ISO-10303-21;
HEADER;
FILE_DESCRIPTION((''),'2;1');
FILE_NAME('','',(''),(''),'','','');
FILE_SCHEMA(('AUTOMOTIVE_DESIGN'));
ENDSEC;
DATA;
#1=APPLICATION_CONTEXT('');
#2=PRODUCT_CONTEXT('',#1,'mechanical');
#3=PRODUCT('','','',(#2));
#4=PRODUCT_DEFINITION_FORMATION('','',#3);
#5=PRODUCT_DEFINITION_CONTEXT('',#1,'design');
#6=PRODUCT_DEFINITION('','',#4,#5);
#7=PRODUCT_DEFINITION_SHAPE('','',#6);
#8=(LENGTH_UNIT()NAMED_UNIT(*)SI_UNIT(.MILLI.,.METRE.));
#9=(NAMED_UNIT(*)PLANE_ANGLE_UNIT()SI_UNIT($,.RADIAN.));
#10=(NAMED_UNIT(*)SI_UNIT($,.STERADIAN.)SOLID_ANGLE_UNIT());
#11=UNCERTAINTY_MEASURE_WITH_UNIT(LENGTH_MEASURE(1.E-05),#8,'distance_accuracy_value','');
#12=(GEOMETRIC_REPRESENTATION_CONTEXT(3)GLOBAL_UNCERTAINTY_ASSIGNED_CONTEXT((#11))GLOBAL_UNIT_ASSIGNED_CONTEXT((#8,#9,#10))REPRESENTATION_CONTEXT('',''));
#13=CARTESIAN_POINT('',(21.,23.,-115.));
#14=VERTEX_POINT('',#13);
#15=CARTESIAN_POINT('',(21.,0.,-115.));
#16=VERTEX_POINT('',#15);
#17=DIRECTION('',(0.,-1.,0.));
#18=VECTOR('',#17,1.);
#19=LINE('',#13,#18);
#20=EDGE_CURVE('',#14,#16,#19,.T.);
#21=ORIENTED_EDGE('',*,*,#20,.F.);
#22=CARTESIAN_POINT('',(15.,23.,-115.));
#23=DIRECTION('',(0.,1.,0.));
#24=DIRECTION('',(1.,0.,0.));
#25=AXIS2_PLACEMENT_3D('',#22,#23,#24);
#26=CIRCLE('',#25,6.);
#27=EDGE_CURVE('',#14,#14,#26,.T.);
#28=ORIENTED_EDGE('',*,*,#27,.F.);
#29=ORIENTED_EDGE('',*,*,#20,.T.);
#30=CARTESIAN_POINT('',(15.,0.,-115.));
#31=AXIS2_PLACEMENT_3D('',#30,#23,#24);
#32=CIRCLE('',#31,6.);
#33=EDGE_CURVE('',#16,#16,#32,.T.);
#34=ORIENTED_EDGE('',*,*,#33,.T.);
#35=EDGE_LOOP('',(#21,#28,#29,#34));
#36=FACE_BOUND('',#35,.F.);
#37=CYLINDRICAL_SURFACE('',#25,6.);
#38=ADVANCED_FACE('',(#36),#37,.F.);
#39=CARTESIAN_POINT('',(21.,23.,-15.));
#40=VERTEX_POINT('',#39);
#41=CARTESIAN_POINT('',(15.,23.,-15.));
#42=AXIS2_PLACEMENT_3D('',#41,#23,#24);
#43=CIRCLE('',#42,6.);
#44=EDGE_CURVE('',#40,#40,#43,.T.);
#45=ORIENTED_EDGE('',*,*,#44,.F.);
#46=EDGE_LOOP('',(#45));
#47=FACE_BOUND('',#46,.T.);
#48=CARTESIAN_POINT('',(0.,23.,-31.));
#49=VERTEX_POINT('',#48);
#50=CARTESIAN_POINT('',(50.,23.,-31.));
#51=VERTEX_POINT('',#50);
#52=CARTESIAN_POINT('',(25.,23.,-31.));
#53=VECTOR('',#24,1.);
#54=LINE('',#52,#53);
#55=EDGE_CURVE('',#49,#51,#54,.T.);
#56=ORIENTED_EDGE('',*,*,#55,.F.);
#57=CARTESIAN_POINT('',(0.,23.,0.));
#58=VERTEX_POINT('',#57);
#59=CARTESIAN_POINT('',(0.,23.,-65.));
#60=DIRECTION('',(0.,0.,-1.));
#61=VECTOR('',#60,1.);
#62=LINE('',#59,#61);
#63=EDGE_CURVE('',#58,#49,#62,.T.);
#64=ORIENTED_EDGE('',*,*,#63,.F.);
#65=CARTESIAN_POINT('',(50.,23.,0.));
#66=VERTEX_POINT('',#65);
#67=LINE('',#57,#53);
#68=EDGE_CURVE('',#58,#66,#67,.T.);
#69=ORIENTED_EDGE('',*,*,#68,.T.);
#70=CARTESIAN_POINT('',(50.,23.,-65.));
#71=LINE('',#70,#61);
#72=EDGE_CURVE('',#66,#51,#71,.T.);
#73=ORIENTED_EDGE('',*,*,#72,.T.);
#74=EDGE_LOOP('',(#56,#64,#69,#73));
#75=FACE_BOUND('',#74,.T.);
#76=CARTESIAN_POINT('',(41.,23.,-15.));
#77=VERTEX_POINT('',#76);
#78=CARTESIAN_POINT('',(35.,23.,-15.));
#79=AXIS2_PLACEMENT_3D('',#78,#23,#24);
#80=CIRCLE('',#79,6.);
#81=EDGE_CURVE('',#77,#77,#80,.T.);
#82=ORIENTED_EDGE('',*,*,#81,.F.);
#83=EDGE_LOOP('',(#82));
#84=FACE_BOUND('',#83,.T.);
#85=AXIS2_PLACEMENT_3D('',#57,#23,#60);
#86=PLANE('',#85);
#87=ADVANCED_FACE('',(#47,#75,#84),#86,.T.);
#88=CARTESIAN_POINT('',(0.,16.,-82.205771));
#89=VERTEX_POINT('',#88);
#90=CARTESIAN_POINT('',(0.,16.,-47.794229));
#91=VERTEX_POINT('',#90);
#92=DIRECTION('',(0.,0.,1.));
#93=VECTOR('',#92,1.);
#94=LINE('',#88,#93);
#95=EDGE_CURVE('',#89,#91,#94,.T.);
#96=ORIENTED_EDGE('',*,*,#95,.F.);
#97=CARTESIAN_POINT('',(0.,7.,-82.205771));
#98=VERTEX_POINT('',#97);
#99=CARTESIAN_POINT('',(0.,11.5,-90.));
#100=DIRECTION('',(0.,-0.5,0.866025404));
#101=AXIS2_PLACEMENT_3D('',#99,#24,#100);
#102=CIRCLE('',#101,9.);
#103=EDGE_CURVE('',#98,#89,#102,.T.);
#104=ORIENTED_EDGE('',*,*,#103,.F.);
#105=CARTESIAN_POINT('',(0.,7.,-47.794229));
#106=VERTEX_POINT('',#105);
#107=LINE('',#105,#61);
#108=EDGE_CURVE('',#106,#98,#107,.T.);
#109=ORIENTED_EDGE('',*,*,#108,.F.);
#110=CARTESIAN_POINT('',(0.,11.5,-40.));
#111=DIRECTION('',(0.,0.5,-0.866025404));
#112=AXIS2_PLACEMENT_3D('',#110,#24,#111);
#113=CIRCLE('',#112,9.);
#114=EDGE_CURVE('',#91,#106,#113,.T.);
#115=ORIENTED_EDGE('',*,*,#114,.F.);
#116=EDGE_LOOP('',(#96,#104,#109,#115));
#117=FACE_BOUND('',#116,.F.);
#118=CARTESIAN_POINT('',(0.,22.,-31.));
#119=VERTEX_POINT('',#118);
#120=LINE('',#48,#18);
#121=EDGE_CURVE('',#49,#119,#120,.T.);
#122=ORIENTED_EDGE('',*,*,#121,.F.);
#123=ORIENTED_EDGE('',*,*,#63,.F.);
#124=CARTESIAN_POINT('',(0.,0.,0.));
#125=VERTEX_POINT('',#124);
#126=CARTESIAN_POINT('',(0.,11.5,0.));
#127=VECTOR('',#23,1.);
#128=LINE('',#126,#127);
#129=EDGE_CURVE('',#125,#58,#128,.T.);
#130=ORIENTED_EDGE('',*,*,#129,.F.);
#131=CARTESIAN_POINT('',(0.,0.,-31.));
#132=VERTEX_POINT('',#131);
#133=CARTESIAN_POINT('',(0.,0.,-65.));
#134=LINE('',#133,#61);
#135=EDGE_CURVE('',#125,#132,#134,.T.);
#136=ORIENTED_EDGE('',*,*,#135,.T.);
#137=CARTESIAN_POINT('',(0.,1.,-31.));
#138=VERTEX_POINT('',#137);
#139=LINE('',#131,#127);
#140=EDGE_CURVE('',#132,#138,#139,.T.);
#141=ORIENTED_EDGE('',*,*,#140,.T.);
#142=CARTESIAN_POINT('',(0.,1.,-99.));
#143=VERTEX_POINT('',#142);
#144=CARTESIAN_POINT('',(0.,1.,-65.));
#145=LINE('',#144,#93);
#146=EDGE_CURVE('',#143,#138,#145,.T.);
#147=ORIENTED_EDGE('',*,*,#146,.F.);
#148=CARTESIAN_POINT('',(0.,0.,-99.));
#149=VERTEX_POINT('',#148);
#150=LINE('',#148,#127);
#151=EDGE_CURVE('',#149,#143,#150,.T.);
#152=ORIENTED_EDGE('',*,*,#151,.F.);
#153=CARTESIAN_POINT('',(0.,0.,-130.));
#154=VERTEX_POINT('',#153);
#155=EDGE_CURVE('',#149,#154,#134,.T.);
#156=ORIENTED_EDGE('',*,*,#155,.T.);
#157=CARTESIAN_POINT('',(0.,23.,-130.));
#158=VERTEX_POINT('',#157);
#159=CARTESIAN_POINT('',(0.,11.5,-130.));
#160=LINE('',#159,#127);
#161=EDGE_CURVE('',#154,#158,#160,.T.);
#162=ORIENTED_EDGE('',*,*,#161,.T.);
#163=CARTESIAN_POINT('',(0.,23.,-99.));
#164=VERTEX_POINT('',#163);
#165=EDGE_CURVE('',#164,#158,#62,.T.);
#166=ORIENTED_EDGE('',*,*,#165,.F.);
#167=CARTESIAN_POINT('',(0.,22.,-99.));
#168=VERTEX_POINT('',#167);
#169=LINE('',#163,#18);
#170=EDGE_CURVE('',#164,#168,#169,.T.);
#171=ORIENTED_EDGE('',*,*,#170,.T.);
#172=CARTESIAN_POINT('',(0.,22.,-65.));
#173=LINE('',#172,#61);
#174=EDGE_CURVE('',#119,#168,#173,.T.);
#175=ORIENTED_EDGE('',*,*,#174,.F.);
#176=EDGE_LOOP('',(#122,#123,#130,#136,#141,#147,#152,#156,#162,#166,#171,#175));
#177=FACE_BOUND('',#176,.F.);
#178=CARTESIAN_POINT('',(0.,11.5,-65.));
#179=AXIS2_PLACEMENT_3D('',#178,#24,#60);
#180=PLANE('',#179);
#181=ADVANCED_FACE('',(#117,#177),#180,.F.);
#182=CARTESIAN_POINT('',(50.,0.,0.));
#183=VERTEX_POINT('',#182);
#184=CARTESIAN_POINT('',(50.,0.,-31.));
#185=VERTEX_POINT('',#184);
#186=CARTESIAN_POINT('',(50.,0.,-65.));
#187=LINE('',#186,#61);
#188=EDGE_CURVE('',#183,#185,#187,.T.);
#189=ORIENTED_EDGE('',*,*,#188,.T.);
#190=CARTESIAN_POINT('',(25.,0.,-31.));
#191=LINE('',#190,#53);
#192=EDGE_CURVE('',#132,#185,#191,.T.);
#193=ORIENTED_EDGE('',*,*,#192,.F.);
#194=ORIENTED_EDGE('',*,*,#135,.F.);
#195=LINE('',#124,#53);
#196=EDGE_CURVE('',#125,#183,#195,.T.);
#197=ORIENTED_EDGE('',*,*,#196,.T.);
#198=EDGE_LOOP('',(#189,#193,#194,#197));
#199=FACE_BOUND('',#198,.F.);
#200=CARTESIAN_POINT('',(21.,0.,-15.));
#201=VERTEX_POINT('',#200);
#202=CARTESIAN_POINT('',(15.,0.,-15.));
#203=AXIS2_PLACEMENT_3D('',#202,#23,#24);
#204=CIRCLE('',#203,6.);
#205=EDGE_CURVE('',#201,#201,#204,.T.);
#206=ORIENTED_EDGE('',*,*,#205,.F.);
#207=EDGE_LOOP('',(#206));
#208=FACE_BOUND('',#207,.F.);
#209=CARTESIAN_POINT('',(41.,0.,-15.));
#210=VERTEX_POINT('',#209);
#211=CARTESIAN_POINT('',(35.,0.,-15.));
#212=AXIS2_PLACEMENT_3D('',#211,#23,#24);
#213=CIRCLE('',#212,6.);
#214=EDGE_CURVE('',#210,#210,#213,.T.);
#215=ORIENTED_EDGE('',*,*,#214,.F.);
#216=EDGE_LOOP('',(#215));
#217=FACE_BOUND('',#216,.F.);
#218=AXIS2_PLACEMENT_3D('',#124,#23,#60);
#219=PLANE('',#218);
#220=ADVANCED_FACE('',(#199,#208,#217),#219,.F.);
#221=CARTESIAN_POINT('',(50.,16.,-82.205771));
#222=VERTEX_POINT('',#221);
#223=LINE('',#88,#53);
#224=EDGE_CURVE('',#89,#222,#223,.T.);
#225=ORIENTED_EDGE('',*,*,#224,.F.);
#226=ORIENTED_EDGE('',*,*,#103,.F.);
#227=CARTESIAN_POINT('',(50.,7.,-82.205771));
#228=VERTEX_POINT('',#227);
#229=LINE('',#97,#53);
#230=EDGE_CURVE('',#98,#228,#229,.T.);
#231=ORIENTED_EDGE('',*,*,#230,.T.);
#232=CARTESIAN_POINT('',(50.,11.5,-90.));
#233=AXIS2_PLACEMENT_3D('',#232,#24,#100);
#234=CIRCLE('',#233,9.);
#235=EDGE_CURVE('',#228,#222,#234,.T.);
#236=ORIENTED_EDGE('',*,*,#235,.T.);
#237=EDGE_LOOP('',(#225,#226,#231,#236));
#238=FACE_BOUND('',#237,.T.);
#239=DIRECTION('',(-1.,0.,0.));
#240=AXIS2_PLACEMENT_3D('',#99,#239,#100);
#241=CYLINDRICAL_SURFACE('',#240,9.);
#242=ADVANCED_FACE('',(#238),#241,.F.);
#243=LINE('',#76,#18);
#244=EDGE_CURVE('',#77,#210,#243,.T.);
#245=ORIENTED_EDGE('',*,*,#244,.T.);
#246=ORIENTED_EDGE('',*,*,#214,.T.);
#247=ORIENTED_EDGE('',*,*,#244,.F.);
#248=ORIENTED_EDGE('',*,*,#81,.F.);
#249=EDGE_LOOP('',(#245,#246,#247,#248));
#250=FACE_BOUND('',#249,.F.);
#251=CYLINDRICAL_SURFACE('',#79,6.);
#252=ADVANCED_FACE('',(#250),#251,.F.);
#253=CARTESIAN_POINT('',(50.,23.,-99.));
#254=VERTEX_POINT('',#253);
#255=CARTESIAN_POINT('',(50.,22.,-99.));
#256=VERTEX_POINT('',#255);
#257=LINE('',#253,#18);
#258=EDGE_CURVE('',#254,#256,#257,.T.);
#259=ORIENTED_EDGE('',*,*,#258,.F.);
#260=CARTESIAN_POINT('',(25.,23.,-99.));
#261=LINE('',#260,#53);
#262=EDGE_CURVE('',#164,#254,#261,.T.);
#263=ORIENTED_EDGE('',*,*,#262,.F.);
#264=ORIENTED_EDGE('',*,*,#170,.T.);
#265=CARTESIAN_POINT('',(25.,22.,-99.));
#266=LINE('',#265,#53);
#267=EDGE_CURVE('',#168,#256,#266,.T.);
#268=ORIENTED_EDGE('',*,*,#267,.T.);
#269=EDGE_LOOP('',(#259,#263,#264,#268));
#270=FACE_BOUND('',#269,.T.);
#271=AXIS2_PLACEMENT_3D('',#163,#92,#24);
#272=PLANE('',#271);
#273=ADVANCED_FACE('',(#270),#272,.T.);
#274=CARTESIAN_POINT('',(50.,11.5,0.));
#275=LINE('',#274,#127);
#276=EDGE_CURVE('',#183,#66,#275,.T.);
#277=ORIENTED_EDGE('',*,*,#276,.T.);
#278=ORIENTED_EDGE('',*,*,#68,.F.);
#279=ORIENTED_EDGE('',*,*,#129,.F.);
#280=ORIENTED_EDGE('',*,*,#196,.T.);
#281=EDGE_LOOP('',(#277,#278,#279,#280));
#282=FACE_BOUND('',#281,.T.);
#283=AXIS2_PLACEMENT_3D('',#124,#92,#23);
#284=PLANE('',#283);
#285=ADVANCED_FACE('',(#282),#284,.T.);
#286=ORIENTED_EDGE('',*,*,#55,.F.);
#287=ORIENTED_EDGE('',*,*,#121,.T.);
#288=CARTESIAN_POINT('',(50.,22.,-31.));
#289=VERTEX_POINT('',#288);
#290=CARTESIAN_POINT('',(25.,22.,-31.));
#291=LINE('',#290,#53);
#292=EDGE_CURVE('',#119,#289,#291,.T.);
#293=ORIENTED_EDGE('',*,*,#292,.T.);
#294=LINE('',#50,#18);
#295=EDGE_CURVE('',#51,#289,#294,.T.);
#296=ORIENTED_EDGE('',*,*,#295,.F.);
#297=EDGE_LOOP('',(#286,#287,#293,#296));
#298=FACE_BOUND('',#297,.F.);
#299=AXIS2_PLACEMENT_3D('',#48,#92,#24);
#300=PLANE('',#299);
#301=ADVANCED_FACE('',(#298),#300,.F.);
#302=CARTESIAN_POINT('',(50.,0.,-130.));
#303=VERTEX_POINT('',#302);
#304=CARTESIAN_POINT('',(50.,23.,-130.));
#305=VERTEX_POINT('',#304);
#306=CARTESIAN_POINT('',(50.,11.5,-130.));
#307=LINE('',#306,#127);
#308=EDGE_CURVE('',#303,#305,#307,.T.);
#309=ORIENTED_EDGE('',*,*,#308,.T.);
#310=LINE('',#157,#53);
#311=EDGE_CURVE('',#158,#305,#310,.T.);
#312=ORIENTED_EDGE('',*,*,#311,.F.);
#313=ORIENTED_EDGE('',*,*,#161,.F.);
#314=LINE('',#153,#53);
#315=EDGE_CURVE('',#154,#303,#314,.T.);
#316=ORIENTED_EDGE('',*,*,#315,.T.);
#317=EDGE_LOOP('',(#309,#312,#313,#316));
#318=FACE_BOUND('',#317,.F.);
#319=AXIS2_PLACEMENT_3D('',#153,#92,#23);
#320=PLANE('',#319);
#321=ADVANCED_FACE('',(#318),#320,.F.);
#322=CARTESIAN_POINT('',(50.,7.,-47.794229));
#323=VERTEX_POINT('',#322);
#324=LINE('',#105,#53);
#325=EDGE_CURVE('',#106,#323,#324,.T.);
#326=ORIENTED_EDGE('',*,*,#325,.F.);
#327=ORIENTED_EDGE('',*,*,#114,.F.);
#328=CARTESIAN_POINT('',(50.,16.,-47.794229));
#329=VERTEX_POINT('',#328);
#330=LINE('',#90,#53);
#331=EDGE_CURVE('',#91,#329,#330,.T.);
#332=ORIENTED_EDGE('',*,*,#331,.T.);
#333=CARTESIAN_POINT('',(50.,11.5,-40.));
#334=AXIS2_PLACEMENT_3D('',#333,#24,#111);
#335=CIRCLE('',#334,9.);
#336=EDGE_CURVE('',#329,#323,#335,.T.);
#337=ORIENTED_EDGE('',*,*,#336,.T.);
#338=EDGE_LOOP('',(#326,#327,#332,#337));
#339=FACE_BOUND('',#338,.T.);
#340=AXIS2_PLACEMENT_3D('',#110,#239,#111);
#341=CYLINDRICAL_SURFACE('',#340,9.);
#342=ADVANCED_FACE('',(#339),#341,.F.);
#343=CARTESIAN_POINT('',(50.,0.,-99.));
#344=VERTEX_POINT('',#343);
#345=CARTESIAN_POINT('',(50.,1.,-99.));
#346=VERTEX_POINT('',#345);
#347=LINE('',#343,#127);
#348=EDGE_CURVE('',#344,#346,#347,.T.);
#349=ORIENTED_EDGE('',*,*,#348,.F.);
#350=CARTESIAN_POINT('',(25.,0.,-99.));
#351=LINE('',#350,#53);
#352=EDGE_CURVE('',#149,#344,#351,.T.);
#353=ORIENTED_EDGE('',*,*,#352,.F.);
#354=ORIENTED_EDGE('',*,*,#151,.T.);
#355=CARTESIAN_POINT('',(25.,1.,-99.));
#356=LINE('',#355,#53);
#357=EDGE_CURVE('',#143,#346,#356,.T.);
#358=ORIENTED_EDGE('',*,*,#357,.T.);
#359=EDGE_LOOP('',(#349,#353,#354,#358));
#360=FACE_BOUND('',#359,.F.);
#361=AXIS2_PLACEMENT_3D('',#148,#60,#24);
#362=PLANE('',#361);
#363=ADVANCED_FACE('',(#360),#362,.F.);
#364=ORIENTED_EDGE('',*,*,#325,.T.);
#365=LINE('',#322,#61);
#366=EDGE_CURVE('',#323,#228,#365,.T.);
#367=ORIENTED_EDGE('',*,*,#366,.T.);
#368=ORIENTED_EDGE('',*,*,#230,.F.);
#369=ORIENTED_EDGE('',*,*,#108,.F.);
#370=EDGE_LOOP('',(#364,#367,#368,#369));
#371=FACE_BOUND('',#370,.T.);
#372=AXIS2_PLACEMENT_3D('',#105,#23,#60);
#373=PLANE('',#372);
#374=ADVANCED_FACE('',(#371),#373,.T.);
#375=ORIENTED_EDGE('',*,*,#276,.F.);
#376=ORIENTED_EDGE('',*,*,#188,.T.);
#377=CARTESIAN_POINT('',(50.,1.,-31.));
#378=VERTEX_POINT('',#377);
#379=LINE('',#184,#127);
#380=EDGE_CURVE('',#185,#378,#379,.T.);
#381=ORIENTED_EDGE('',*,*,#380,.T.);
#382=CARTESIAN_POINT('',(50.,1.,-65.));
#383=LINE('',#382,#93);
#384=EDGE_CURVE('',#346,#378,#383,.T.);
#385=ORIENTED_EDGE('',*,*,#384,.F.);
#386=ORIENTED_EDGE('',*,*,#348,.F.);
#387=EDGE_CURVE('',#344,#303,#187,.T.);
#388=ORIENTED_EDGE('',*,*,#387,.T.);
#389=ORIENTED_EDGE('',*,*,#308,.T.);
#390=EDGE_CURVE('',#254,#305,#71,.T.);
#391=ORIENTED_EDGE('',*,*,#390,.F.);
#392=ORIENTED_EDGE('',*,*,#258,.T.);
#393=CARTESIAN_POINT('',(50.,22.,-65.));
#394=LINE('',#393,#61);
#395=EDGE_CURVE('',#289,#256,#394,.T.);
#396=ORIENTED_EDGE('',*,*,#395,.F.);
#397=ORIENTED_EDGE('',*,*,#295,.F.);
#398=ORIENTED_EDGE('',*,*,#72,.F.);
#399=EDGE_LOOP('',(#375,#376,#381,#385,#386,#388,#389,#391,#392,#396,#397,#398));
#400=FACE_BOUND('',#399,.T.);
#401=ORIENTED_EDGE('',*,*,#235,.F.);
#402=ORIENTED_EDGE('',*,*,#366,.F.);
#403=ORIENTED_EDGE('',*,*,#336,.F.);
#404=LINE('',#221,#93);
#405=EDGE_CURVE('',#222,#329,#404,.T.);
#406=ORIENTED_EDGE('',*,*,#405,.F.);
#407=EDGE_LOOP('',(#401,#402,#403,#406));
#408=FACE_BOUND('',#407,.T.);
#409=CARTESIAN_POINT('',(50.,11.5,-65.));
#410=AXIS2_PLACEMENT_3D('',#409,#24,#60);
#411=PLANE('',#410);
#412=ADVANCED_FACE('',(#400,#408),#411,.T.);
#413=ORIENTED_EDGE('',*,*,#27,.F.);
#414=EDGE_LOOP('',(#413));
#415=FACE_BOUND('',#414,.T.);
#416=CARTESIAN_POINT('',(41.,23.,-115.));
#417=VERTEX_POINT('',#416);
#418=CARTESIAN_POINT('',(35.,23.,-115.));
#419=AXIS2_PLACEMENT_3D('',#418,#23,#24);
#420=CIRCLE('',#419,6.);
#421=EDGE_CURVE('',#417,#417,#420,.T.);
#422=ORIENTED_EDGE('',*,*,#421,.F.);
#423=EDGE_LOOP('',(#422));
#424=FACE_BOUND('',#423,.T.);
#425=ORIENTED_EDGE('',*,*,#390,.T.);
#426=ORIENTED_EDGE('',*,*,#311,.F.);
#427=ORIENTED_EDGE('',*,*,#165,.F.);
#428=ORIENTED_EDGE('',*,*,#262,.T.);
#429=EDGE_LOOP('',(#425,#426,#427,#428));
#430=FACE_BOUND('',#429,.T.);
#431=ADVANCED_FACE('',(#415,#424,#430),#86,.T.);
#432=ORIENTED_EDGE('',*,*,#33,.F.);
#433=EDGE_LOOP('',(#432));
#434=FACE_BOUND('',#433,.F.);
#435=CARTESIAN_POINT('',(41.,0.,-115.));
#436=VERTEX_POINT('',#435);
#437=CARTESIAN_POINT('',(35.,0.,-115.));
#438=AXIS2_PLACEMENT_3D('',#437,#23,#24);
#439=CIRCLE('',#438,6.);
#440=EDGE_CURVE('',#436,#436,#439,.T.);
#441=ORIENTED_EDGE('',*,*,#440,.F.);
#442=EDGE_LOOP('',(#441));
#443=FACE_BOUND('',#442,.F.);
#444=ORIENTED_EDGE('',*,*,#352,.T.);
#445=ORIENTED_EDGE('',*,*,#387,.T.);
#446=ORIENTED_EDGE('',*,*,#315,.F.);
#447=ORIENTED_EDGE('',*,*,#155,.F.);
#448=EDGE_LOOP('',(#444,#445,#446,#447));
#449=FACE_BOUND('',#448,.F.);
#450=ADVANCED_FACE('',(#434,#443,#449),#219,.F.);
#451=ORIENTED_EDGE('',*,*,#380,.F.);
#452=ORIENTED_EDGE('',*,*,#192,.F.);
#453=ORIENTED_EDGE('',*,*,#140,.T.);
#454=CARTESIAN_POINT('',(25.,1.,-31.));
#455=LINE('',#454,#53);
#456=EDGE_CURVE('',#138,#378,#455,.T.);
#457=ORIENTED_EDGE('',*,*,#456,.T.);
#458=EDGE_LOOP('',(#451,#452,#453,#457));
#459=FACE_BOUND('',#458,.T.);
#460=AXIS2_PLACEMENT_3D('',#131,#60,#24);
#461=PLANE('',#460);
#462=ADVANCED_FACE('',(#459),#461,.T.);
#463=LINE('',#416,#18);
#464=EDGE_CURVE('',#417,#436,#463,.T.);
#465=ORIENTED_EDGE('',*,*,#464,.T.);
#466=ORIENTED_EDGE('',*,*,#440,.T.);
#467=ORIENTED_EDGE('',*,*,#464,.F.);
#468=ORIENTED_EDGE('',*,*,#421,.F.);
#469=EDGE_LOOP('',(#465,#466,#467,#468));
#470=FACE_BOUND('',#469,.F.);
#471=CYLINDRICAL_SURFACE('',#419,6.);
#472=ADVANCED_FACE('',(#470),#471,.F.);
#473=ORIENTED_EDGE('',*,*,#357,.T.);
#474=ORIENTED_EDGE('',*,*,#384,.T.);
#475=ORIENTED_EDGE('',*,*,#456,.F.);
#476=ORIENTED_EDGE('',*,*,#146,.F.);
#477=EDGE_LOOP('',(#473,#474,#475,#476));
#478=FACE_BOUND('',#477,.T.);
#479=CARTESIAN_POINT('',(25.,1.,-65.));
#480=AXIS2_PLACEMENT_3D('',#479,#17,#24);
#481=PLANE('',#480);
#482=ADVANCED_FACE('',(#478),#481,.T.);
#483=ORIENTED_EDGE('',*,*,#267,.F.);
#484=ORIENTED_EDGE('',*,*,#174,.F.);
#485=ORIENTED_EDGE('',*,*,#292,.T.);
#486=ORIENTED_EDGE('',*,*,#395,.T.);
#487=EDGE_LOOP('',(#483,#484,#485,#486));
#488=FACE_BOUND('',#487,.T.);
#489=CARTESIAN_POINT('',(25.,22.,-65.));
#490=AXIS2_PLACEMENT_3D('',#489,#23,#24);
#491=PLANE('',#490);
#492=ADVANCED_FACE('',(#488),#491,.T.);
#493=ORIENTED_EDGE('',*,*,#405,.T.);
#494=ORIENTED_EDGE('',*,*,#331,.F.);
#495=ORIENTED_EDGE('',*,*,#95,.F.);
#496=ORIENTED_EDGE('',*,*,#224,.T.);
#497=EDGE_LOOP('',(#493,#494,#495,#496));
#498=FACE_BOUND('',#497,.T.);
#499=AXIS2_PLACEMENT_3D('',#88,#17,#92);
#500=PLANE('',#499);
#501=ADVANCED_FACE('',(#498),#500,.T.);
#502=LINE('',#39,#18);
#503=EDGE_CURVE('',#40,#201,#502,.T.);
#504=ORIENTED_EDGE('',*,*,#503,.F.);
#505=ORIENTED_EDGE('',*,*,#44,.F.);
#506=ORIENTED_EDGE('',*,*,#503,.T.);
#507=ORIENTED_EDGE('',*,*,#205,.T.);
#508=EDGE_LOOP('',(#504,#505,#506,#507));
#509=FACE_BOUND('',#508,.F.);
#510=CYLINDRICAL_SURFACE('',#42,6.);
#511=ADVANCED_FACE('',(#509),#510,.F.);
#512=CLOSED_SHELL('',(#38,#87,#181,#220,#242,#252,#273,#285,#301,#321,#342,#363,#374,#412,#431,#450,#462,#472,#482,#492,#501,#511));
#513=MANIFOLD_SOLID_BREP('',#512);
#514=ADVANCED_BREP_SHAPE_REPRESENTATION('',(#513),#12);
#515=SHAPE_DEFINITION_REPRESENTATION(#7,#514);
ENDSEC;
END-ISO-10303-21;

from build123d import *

# Parameters (mm, degrees)
SKETCH2_W           = 130
SKETCH2_H           = 23
BOSS_EXTRUDE1_DEPTH = 50
SKETCH3_R           = 6
CUT_EXTRUDE1_DEPTH  = 23
SKETCH4_W           = 50
SKETCH4_H           = 68
CUT_EXTRUDE3_DEPTH  = 1
SKETCH5_W           = 50
SKETCH5_H           = 68
CUT_EXTRUDE4_DEPTH  = 1


with BuildPart() as part:
    # Sketch2 → Boss-Extrude1 (new body)
    with BuildSketch(Plane(origin=(0, 0, 0), x_dir=(0, 0, -1), z_dir=(1, 0, 0))):
        with Locations((65, 11.5)):
            Rectangle(SKETCH2_W, SKETCH2_H)
        with BuildLine():
            Line((82.205771366, 16), (47.794228634, 16))
            ThreePointArc((47.794228634, 16), (31, 11.5), (47.794228634, 7))
            Line((47.794228634, 7), (82.205771366, 7))
            ThreePointArc((82.205771366, 7), (99, 11.5), (82.205771366, 16))
        make_face(mode=Mode.SUBTRACT)
    extrude(amount=BOSS_EXTRUDE1_DEPTH)

    # Sketch3 → Cut-Extrude1 (cut)
    with BuildSketch(Plane(origin=(0, 23, 0), x_dir=(1, 0, 0), z_dir=(0, 1, 0))):
        with Locations((15, 15)):
            Circle(SKETCH3_R)
        with Locations((35, 15)):
            Circle(SKETCH3_R)
        with Locations((15, 115)):
            Circle(SKETCH3_R)
        with Locations((35, 115)):
            Circle(SKETCH3_R)
    extrude(amount=-CUT_EXTRUDE1_DEPTH, mode=Mode.SUBTRACT)

    # Sketch4 → Cut-Extrude3 (cut)
    with BuildSketch(Plane(origin=(0, 23, 0), x_dir=(1, 0, 0), z_dir=(0, 1, 0))):
        with Locations((25, 65)):
            Rectangle(SKETCH4_W, SKETCH4_H)
    extrude(amount=-CUT_EXTRUDE3_DEPTH, mode=Mode.SUBTRACT)

    # Sketch5 → Cut-Extrude4 (cut)
    with BuildSketch(Plane.XZ):
        with Locations((25, -65)):
            Rectangle(SKETCH5_W, SKETCH5_H)
    extrude(amount=-CUT_EXTRUDE4_DEPTH, mode=Mode.SUBTRACT)


solid = part.part
